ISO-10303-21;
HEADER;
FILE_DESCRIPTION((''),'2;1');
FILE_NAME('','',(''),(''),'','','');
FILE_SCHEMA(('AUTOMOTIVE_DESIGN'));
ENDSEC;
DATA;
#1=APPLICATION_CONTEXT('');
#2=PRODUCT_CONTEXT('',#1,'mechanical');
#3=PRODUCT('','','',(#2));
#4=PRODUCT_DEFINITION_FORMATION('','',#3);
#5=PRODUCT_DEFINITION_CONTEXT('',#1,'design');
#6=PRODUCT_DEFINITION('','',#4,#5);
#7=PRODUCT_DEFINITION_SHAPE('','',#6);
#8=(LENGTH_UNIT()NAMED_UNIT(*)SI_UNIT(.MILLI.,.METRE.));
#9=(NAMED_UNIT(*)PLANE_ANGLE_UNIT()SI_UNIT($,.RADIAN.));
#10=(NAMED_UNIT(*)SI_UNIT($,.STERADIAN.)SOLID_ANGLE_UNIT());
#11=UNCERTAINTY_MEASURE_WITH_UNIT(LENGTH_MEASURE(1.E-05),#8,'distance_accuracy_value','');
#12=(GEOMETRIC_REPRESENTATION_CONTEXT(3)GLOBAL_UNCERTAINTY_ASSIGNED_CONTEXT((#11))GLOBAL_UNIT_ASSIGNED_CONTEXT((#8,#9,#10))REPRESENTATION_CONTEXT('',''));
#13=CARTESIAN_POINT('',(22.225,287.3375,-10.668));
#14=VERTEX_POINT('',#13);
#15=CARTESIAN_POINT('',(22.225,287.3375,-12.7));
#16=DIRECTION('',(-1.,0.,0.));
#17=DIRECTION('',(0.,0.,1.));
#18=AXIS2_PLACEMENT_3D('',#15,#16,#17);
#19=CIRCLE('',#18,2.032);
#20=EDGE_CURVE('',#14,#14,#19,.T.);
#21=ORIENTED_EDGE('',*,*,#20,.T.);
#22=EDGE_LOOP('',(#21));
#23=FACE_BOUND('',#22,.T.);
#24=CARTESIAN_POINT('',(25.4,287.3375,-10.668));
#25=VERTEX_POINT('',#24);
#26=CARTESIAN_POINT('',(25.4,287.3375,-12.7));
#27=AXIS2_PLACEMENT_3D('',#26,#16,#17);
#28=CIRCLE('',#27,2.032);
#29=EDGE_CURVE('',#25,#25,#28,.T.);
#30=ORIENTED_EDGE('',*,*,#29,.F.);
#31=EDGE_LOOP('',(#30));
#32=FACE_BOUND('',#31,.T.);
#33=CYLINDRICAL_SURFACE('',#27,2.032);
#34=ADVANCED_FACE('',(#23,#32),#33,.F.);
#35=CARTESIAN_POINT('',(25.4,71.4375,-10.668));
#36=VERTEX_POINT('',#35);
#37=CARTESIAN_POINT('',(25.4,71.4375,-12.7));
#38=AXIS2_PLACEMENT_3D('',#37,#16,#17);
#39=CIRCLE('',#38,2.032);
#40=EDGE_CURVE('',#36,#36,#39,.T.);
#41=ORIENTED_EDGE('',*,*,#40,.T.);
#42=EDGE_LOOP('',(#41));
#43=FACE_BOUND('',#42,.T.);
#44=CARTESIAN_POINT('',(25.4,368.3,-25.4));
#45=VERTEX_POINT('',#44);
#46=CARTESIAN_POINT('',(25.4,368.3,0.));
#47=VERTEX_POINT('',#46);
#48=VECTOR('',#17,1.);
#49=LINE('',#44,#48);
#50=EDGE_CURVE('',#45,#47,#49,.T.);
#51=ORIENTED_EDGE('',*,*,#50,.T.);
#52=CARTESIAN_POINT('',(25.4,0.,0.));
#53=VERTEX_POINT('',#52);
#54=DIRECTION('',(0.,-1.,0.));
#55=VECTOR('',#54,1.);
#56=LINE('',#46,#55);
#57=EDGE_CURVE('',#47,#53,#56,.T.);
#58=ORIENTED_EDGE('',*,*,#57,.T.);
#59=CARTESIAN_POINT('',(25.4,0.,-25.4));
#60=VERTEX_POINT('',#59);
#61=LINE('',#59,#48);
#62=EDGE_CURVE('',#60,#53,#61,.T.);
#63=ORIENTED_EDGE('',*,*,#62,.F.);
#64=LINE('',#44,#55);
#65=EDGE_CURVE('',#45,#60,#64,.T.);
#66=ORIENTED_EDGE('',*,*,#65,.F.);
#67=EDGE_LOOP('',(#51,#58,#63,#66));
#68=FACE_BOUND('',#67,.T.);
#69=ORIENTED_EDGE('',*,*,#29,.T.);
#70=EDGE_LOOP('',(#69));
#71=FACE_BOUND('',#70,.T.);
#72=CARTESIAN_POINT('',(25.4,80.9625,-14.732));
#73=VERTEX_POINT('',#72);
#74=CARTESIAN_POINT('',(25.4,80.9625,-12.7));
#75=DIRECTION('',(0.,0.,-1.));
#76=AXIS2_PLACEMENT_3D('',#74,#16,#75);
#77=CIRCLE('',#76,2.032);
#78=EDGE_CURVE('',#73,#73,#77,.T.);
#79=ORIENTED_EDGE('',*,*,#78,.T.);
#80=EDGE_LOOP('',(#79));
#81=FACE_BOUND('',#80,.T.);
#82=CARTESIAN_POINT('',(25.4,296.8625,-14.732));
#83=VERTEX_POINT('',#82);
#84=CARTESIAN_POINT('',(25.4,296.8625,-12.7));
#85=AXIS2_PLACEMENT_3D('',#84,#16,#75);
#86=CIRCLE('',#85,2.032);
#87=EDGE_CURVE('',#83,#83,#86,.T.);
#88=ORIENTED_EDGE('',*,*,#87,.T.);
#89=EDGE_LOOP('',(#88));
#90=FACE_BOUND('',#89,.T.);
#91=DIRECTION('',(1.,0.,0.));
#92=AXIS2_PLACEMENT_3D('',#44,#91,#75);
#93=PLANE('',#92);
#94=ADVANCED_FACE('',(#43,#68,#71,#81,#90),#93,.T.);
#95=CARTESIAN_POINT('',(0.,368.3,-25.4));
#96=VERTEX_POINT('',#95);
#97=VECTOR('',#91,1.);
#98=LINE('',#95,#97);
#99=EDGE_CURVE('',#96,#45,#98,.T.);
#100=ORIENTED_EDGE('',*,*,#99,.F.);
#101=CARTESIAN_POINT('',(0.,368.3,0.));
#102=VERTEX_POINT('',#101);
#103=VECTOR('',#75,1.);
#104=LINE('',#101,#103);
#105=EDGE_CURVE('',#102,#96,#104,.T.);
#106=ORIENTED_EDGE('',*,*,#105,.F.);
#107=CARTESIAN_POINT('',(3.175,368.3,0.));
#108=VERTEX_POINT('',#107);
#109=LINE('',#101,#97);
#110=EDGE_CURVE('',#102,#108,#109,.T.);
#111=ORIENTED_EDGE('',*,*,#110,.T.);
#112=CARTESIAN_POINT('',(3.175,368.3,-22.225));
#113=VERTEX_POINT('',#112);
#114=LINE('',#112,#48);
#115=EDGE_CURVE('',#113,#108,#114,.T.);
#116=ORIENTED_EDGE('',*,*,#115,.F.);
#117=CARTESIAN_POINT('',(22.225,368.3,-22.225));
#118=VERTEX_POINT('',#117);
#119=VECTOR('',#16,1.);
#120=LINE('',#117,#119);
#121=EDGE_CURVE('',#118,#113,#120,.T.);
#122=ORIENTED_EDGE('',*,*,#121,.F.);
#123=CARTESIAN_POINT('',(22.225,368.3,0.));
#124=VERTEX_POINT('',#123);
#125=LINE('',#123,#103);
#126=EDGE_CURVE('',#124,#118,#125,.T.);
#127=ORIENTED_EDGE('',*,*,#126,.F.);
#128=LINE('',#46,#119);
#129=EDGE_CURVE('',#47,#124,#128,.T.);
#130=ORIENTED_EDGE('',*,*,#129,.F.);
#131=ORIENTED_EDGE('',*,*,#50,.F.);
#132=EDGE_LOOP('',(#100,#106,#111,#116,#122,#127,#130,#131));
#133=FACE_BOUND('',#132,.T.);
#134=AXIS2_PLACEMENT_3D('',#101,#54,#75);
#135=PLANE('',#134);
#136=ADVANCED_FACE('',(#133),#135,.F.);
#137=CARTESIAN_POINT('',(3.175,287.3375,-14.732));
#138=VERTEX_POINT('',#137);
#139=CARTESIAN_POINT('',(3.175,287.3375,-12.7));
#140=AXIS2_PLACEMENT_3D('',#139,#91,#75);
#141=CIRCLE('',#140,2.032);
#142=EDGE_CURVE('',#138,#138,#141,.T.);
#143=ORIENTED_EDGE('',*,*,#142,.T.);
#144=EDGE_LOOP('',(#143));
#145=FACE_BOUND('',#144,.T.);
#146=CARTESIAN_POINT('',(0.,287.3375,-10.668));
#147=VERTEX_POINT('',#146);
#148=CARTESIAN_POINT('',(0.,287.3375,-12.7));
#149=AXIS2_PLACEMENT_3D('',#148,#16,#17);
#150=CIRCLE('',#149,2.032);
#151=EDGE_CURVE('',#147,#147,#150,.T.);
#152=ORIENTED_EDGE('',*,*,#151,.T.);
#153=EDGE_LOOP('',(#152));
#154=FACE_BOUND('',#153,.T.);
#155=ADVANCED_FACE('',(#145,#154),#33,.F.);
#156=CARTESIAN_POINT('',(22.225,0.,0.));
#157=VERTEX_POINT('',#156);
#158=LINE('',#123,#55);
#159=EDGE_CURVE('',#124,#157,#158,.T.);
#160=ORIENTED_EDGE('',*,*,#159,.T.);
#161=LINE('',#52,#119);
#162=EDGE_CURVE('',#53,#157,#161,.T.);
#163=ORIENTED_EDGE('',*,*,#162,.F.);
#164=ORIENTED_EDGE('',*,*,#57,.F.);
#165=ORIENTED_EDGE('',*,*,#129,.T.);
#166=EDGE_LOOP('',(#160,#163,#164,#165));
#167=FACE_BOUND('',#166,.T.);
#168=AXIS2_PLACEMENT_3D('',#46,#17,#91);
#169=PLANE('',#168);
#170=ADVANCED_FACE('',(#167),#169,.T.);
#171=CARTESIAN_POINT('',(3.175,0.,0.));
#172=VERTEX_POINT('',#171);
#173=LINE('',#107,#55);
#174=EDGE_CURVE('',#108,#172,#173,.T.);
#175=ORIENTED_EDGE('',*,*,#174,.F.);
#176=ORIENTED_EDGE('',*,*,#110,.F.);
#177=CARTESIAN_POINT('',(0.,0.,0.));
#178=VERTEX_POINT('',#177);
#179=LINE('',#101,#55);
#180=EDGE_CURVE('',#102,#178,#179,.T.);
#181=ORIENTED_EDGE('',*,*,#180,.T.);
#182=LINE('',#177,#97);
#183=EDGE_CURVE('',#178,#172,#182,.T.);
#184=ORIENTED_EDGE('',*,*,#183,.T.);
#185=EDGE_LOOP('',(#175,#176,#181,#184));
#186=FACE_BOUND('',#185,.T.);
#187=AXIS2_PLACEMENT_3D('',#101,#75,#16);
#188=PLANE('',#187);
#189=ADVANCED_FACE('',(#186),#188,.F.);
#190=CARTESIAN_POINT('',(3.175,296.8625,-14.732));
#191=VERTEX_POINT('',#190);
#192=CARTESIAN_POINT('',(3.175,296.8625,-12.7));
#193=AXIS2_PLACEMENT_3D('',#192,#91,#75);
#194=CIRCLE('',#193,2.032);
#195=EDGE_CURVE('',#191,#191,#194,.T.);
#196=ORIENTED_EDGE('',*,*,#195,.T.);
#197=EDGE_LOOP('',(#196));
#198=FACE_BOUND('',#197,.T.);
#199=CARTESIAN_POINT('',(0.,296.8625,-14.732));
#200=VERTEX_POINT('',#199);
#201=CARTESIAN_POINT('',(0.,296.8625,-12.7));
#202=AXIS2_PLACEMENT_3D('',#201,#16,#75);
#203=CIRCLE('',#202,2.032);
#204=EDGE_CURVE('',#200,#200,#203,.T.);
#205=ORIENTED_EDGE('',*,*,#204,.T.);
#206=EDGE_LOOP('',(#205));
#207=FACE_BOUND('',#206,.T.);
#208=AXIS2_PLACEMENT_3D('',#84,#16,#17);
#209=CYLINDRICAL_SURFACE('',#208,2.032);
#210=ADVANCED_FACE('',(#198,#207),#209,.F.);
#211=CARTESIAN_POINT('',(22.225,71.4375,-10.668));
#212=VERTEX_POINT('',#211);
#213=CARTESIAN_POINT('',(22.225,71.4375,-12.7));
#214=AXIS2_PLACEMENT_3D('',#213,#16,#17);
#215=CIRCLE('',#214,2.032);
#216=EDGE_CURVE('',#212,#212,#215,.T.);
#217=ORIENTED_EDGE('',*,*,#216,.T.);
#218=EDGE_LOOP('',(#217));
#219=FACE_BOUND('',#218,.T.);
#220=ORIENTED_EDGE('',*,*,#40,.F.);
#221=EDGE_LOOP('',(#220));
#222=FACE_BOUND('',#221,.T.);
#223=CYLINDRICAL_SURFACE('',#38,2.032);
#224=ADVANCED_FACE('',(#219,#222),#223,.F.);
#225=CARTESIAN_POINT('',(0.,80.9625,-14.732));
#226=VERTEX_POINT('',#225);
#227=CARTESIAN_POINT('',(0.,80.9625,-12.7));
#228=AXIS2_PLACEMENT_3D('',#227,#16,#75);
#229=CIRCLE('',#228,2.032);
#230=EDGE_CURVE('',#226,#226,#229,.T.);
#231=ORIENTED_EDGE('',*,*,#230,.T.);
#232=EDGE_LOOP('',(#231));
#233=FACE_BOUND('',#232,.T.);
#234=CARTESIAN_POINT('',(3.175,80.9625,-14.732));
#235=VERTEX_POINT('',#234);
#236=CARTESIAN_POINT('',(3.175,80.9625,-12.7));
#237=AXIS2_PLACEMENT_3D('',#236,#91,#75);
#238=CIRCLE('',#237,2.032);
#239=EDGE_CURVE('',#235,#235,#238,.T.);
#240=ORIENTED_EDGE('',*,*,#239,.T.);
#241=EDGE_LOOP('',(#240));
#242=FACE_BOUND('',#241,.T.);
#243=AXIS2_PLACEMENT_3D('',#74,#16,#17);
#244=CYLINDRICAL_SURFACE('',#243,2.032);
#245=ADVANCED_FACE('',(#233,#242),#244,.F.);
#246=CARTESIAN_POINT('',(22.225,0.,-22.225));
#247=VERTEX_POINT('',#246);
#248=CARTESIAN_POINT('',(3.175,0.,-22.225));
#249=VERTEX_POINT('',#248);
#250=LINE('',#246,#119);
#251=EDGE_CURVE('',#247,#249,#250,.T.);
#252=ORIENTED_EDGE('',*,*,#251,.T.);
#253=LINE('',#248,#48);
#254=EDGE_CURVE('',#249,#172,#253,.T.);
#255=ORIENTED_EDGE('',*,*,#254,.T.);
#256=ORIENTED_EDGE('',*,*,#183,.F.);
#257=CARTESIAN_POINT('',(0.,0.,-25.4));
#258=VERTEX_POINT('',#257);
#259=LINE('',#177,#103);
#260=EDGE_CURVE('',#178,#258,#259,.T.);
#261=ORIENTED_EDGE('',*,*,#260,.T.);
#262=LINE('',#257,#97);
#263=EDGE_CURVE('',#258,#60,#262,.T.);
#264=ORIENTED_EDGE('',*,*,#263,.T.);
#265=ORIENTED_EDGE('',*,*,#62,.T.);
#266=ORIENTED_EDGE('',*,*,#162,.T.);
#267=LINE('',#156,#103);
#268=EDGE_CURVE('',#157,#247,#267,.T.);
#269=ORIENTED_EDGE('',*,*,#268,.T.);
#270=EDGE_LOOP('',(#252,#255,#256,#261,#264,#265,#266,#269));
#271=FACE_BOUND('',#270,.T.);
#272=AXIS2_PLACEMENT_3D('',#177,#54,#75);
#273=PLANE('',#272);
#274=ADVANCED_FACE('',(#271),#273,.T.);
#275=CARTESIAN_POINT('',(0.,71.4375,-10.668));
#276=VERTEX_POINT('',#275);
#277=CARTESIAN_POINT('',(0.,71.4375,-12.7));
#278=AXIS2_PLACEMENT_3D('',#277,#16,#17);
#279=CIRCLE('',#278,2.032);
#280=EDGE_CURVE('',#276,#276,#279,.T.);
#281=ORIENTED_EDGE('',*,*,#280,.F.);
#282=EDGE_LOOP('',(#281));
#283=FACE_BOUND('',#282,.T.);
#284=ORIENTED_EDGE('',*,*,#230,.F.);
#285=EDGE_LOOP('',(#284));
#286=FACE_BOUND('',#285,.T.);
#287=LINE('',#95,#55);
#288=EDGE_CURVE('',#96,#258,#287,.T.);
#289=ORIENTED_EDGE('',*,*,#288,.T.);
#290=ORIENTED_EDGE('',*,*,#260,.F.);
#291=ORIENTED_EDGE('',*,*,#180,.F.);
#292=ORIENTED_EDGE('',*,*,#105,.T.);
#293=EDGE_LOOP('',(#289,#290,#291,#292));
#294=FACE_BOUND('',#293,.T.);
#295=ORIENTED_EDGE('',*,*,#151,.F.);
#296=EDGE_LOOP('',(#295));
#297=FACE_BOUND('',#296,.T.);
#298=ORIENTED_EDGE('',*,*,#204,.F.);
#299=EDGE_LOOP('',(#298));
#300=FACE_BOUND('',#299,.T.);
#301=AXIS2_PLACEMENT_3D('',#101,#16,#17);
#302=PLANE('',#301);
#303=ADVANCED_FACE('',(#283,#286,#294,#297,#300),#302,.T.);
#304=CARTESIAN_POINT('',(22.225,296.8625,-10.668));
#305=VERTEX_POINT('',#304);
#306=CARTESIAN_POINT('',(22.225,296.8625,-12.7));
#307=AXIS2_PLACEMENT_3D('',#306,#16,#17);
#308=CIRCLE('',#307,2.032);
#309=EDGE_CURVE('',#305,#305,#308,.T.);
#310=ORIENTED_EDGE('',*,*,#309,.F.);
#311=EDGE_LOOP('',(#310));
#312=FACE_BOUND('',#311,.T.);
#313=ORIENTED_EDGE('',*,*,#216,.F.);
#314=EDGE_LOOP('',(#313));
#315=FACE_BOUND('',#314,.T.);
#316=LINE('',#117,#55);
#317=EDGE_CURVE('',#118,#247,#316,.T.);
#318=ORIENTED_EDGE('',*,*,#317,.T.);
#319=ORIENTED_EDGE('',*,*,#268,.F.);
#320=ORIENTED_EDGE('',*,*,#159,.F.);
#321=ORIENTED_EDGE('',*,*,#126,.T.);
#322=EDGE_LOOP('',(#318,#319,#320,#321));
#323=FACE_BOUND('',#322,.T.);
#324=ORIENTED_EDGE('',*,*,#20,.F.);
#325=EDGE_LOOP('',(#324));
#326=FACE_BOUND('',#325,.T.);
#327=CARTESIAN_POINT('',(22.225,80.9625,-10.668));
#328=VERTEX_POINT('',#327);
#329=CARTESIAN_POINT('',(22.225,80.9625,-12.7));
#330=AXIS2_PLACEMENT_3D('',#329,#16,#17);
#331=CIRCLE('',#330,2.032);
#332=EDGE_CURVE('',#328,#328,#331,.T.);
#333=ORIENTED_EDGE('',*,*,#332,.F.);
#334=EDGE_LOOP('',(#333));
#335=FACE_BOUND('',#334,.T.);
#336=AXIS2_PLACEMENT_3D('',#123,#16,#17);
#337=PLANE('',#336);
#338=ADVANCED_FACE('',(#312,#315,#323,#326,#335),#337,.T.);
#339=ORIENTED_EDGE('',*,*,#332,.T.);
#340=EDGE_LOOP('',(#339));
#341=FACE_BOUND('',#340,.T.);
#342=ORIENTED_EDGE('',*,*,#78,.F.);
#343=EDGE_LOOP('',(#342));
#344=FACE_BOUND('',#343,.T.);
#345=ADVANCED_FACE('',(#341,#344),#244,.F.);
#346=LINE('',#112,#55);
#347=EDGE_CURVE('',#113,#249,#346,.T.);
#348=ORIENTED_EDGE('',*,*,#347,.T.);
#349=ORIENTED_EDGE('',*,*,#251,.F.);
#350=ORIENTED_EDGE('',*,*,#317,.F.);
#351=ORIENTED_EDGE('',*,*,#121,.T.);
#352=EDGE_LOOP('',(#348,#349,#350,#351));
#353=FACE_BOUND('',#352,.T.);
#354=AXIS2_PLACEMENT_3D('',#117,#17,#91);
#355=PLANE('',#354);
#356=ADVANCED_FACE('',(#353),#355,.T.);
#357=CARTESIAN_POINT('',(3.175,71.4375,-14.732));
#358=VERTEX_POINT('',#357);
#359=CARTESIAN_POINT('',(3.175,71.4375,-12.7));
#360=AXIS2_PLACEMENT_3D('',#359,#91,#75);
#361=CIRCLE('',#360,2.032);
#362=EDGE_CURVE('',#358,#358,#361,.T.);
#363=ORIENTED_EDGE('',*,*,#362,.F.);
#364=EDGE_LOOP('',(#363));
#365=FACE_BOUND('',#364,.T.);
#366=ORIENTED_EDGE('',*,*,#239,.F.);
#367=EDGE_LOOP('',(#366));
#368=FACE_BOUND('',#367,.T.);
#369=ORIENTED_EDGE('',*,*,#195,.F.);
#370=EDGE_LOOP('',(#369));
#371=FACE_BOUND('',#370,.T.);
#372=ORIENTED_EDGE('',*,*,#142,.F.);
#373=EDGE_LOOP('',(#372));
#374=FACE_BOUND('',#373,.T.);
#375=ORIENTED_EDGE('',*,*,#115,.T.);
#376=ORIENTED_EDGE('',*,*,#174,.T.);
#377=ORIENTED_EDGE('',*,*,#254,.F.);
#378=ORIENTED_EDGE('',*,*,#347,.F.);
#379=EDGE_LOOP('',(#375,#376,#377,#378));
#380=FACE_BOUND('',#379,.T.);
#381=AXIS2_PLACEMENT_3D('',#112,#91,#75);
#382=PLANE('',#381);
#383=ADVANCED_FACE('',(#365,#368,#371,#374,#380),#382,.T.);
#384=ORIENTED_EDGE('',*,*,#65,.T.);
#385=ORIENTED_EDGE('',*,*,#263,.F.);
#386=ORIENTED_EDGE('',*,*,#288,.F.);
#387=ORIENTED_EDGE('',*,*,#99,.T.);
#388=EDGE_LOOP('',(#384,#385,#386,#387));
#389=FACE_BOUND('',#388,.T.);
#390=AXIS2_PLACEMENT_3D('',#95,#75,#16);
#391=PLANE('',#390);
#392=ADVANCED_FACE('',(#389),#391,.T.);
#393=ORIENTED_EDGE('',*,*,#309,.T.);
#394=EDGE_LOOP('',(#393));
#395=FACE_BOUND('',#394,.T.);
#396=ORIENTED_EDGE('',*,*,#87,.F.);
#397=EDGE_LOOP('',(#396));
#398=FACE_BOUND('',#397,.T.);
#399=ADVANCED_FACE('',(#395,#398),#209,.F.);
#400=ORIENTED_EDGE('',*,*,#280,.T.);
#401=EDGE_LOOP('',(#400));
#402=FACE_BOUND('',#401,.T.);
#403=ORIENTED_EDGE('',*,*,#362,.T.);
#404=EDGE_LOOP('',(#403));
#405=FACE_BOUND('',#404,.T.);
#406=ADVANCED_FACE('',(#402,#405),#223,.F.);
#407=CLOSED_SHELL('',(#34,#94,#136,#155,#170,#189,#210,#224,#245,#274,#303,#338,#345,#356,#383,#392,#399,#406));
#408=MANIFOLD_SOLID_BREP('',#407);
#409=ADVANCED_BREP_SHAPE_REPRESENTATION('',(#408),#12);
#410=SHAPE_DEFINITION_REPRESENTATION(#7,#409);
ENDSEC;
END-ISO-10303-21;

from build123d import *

# Parameters (mm, degrees)
BOSS_EXTRUDE1_DEPTH = 368.3
SKETCH2_R           = 2.032
CUT_EXTRUDE1_DEPTH  = 25.4


with BuildPart() as part:
    # Sketch1 → Boss-Extrude1 (new body)
    with BuildSketch(Plane(origin=(0, 0, 0), x_dir=(1, 0, 0), z_dir=(0, 1, 0))):
        Polygon((0, 0), (3.175, 0), (3.175, 22.225), (22.225, 22.225), (22.225, 0), (25.4, 0), (25.4, 25.4), (0, 25.4), align=None)
    extrude(amount=BOSS_EXTRUDE1_DEPTH)

    # Sketch2 → Cut-Extrude1 (cut)
    with BuildSketch(Plane.ZY):
        with Locations((-12.7, 71.4375)):
            Circle(SKETCH2_R)
        with Locations((-12.7, 296.8625)):
            Circle(SKETCH2_R)
        with Locations((-12.7, 287.3375)):
            Circle(SKETCH2_R)
        with Locations((-12.7, 80.9625)):
            Circle(SKETCH2_R)
    extrude(amount=-CUT_EXTRUDE1_DEPTH, mode=Mode.SUBTRACT)


solid = part.part
